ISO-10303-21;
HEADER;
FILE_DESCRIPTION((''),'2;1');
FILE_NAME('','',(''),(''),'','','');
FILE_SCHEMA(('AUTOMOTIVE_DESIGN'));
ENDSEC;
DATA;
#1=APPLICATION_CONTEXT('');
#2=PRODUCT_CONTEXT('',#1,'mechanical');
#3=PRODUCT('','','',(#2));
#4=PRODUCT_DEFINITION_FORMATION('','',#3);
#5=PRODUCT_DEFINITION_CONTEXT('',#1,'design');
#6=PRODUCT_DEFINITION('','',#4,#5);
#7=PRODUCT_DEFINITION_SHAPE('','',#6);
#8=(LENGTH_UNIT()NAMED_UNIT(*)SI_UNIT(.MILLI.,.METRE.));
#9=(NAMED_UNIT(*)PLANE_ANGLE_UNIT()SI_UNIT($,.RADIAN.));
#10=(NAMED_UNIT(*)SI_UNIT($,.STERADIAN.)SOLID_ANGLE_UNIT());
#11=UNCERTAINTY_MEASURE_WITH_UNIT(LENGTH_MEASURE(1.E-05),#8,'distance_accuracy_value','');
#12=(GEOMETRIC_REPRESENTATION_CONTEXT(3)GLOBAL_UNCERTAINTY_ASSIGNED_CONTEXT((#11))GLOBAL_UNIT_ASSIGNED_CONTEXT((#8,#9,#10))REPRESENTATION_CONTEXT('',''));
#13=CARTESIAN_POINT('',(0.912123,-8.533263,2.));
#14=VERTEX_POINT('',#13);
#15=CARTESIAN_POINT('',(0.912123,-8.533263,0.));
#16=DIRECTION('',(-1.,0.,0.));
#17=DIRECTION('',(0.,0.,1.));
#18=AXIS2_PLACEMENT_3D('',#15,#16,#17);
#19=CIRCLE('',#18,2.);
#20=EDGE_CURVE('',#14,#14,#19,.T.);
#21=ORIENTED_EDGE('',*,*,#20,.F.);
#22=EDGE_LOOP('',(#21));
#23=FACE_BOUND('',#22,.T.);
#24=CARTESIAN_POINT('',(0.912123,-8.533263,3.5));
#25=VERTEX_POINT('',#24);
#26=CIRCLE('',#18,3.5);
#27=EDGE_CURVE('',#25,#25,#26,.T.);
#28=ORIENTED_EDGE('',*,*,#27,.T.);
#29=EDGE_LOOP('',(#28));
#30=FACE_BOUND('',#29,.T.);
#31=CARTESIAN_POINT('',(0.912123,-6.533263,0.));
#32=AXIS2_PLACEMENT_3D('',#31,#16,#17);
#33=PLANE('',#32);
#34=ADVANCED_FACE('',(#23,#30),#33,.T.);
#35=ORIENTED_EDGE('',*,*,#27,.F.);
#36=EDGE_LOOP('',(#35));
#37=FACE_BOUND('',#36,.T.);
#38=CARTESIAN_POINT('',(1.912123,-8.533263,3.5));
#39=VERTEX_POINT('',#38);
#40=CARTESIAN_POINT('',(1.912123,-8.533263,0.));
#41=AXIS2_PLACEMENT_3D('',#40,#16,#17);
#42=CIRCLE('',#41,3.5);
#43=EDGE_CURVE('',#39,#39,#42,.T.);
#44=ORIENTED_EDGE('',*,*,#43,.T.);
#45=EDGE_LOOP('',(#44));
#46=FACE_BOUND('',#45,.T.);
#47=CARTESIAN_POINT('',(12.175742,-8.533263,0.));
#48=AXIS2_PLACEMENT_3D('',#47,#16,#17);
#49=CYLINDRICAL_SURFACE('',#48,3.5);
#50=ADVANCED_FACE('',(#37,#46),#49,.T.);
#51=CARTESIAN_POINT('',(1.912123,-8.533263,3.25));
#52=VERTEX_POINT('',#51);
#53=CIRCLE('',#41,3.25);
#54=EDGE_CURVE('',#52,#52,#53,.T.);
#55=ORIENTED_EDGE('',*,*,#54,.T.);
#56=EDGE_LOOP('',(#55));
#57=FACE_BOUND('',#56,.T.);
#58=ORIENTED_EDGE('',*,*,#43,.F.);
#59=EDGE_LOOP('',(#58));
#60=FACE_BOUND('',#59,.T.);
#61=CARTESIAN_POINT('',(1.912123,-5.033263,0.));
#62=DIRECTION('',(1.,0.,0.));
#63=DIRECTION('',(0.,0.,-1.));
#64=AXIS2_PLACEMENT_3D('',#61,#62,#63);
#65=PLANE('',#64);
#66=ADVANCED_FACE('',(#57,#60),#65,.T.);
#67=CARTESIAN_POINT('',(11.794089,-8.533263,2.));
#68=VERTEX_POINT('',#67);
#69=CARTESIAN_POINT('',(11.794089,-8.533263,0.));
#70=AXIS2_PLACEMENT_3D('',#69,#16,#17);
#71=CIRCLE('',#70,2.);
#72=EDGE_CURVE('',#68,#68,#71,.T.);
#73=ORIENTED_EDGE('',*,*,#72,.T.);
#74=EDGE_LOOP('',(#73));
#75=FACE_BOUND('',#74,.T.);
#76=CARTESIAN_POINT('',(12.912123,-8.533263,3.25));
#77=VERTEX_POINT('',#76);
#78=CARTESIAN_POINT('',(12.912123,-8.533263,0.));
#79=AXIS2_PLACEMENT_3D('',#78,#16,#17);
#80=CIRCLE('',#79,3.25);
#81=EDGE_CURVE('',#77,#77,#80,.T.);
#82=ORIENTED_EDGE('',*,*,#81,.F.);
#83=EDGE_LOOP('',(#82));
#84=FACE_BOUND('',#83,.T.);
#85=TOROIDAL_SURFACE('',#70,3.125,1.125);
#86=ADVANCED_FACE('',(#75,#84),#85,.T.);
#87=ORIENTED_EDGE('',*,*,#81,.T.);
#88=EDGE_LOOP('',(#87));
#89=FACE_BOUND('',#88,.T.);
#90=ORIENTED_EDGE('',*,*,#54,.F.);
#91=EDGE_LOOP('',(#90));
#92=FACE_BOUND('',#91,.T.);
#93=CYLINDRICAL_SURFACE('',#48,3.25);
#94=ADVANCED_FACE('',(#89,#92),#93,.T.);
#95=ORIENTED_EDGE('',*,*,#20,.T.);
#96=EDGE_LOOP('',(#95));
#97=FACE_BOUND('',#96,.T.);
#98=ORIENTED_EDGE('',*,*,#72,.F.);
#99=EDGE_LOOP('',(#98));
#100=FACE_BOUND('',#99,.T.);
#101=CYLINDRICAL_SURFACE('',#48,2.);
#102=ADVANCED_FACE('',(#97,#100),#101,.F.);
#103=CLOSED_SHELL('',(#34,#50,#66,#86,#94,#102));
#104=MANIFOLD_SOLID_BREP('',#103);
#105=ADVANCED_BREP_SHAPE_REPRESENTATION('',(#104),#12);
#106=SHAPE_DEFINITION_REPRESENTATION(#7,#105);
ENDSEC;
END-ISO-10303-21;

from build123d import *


with BuildPart() as part:
    # Sketch1 → Revolve1 (revolve)
    with BuildSketch(Plane(origin=(0, 0, 0), x_dir=(-1, 0, 0), z_dir=(0, 0, -1)), mode=Mode.PRIVATE) as revolve1_sk:
        with BuildLine():
            Line((-11.294089345, -6.533263235), (-0.912123334, -6.533263235))
            Line((-0.912123334, -6.533263235), (-0.912123334, -5.033263235))
            Line((-0.912123334, -5.033263235), (-1.912123334, -5.033263235))
            Line((-1.912123334, -5.033263235), (-1.912123334, -5.283263235))
            Line((-1.912123334, -5.283263235), (-12.912123334, -5.283263235))
            ThreePointArc((-12.912123334, -5.283263235), (-12.632614837, -6.158263235), (-11.794089345, -6.533263235))
            Line((-11.794089345, -6.533263235), (-11.294089345, -6.533263235))
        make_face()
    revolve(revolve1_sk.sketch.rotate(Axis((12.175741694, -8.533263235, 0), (-1, 0, 0)), 270), axis=Axis((12.175741694, -8.533263235, 0), (-1, 0, 0)))


solid = part.part
